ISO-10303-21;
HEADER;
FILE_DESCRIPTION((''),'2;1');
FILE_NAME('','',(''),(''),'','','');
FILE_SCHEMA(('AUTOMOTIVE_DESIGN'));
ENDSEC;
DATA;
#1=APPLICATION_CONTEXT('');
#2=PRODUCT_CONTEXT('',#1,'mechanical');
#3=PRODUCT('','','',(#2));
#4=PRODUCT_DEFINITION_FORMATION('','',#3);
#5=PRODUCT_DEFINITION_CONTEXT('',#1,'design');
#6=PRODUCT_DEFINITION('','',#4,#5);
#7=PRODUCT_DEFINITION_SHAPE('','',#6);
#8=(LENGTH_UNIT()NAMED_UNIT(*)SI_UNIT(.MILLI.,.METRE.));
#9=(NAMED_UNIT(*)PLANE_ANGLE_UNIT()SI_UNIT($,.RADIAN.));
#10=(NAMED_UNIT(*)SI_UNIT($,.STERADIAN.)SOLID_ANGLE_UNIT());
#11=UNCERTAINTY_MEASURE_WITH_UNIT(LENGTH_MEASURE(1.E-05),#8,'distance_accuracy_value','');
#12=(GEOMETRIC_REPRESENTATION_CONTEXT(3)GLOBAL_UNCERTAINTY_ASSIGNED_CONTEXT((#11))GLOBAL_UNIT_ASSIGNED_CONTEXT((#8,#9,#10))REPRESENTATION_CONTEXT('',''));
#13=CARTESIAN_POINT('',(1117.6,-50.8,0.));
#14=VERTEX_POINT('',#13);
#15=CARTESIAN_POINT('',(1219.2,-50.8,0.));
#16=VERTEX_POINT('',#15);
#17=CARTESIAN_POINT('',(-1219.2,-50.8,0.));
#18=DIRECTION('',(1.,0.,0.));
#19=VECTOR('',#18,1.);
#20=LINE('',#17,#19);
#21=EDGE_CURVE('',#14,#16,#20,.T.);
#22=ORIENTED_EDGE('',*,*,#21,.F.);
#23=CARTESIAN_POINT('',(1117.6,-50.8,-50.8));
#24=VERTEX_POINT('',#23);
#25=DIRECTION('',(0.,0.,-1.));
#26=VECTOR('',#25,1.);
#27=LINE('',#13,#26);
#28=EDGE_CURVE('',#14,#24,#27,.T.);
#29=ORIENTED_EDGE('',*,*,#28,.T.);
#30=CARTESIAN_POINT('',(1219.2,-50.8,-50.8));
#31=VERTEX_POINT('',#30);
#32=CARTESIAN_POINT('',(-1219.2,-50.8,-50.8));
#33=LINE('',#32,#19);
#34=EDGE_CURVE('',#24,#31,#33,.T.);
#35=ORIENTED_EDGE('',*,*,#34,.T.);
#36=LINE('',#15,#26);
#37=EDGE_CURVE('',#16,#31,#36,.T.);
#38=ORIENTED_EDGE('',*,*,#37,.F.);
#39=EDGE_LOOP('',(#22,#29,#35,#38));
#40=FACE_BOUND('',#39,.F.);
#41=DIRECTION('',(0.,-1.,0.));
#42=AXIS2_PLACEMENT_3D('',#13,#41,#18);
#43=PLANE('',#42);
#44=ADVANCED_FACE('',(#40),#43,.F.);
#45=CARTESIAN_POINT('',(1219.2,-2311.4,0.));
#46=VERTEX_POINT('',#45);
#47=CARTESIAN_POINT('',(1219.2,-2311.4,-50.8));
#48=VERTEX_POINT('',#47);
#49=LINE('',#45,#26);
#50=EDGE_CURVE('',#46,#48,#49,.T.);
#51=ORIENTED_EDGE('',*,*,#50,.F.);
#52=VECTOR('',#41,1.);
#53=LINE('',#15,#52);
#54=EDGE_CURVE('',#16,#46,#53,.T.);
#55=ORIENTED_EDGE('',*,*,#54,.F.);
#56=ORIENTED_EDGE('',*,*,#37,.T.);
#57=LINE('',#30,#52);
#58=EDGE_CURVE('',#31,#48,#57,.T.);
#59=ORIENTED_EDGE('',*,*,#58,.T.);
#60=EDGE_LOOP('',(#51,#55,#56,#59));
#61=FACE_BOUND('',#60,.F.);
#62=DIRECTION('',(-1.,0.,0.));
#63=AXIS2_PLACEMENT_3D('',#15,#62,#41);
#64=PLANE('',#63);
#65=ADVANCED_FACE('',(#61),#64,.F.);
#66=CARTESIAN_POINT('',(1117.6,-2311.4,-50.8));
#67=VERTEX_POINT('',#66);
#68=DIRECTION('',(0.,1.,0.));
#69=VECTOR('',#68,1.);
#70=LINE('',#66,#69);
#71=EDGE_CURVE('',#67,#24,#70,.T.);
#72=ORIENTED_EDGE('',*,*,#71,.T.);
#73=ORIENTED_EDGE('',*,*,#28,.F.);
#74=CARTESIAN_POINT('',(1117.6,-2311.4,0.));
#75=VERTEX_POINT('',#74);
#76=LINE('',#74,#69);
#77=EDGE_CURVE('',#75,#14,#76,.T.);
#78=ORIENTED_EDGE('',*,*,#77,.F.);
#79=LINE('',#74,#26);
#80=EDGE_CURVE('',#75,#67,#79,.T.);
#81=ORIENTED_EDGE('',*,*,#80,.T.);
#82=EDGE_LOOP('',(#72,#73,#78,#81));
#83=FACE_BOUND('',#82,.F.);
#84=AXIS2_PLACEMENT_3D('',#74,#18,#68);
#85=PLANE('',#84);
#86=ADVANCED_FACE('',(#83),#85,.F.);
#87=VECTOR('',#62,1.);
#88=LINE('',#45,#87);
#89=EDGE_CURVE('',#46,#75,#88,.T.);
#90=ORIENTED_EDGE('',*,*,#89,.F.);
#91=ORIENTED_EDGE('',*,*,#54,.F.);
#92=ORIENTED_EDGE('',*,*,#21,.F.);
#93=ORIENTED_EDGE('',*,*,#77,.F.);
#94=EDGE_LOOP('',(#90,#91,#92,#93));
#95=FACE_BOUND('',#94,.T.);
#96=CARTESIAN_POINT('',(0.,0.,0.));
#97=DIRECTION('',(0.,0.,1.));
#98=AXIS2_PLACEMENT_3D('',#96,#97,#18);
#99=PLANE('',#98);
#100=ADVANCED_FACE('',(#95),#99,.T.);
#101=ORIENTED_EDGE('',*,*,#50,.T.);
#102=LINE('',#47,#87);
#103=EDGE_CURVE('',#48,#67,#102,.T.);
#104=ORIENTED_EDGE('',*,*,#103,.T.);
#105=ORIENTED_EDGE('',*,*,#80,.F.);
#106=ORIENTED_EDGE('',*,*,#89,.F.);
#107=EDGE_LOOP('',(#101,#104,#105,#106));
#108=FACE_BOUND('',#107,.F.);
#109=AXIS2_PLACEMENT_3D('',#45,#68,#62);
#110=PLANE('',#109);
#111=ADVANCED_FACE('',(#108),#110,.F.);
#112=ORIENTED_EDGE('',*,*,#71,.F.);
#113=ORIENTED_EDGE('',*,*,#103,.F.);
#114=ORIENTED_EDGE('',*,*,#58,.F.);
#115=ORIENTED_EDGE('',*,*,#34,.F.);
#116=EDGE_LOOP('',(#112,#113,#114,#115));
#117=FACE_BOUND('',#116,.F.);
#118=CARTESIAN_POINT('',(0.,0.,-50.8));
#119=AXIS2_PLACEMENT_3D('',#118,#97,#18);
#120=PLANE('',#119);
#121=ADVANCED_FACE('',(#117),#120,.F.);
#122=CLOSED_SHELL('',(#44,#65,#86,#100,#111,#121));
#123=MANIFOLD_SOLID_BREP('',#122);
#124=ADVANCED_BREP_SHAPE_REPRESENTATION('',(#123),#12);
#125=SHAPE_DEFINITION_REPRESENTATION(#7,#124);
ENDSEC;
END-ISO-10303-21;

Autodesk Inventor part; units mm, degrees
ref_plane "YZ Plane" through (0, 0, 0) normal (1, 0, 0) x (0, 1, 0)
ref_plane "XZ Plane" through (0, 0, 0) normal (0, 1, 0) x (-1, 0, 0)
ref_plane "XY Plane" through (0, 0, 0) normal (0, 0, 1) x (1, 0, 0)
ref_plane "Work Plane1" through (0, 0, 0) normal (0, 0, 1) x (1, 0, 0)
sketch "Sketch1" plane through (0, 0, 0) normal (0, 0, 1) x (1, 0, 0)
  line L0 (-1219.2, -2311.4) -> (-1219.2, -2413) projected
  line L1 (-1219.2, -2413) -> (1219.2, -2413) projected
  line L2 (1219.2, -2413) -> (1219.2, -2311.4) projected
  line L3 (1219.2, -2311.4) -> (-1219.2, -2311.4) projected
  line L4 (-1219.2, 50.8) -> (-1219.2, -50.8) projected
  line L5 (-1219.2, -50.8) -> (1219.2, -50.8) projected
  line L6 (1219.2, -50.8) -> (1219.2, 50.8) projected
  line L7 (1219.2, 50.8) -> (-1219.2, 50.8) projected
  line L8 (1219.2, -50.8) -> (1219.2, -2311.4)
  line L9 (1219.2, -2311.4) -> (1117.6, -2311.4)
  line L10 (1117.6, -2311.4) -> (1117.6, -50.8)
  line L11 (1117.6, -50.8) -> (1219.2, -50.8)
  point P0 (0, 0)
  dimension "d0" = 101.6
extrude "Extrusion1" add sketch "Sketch1" against normal blind 50.8 contours L10 L5 L8 L3
properties part number "7'5''x2x4"
